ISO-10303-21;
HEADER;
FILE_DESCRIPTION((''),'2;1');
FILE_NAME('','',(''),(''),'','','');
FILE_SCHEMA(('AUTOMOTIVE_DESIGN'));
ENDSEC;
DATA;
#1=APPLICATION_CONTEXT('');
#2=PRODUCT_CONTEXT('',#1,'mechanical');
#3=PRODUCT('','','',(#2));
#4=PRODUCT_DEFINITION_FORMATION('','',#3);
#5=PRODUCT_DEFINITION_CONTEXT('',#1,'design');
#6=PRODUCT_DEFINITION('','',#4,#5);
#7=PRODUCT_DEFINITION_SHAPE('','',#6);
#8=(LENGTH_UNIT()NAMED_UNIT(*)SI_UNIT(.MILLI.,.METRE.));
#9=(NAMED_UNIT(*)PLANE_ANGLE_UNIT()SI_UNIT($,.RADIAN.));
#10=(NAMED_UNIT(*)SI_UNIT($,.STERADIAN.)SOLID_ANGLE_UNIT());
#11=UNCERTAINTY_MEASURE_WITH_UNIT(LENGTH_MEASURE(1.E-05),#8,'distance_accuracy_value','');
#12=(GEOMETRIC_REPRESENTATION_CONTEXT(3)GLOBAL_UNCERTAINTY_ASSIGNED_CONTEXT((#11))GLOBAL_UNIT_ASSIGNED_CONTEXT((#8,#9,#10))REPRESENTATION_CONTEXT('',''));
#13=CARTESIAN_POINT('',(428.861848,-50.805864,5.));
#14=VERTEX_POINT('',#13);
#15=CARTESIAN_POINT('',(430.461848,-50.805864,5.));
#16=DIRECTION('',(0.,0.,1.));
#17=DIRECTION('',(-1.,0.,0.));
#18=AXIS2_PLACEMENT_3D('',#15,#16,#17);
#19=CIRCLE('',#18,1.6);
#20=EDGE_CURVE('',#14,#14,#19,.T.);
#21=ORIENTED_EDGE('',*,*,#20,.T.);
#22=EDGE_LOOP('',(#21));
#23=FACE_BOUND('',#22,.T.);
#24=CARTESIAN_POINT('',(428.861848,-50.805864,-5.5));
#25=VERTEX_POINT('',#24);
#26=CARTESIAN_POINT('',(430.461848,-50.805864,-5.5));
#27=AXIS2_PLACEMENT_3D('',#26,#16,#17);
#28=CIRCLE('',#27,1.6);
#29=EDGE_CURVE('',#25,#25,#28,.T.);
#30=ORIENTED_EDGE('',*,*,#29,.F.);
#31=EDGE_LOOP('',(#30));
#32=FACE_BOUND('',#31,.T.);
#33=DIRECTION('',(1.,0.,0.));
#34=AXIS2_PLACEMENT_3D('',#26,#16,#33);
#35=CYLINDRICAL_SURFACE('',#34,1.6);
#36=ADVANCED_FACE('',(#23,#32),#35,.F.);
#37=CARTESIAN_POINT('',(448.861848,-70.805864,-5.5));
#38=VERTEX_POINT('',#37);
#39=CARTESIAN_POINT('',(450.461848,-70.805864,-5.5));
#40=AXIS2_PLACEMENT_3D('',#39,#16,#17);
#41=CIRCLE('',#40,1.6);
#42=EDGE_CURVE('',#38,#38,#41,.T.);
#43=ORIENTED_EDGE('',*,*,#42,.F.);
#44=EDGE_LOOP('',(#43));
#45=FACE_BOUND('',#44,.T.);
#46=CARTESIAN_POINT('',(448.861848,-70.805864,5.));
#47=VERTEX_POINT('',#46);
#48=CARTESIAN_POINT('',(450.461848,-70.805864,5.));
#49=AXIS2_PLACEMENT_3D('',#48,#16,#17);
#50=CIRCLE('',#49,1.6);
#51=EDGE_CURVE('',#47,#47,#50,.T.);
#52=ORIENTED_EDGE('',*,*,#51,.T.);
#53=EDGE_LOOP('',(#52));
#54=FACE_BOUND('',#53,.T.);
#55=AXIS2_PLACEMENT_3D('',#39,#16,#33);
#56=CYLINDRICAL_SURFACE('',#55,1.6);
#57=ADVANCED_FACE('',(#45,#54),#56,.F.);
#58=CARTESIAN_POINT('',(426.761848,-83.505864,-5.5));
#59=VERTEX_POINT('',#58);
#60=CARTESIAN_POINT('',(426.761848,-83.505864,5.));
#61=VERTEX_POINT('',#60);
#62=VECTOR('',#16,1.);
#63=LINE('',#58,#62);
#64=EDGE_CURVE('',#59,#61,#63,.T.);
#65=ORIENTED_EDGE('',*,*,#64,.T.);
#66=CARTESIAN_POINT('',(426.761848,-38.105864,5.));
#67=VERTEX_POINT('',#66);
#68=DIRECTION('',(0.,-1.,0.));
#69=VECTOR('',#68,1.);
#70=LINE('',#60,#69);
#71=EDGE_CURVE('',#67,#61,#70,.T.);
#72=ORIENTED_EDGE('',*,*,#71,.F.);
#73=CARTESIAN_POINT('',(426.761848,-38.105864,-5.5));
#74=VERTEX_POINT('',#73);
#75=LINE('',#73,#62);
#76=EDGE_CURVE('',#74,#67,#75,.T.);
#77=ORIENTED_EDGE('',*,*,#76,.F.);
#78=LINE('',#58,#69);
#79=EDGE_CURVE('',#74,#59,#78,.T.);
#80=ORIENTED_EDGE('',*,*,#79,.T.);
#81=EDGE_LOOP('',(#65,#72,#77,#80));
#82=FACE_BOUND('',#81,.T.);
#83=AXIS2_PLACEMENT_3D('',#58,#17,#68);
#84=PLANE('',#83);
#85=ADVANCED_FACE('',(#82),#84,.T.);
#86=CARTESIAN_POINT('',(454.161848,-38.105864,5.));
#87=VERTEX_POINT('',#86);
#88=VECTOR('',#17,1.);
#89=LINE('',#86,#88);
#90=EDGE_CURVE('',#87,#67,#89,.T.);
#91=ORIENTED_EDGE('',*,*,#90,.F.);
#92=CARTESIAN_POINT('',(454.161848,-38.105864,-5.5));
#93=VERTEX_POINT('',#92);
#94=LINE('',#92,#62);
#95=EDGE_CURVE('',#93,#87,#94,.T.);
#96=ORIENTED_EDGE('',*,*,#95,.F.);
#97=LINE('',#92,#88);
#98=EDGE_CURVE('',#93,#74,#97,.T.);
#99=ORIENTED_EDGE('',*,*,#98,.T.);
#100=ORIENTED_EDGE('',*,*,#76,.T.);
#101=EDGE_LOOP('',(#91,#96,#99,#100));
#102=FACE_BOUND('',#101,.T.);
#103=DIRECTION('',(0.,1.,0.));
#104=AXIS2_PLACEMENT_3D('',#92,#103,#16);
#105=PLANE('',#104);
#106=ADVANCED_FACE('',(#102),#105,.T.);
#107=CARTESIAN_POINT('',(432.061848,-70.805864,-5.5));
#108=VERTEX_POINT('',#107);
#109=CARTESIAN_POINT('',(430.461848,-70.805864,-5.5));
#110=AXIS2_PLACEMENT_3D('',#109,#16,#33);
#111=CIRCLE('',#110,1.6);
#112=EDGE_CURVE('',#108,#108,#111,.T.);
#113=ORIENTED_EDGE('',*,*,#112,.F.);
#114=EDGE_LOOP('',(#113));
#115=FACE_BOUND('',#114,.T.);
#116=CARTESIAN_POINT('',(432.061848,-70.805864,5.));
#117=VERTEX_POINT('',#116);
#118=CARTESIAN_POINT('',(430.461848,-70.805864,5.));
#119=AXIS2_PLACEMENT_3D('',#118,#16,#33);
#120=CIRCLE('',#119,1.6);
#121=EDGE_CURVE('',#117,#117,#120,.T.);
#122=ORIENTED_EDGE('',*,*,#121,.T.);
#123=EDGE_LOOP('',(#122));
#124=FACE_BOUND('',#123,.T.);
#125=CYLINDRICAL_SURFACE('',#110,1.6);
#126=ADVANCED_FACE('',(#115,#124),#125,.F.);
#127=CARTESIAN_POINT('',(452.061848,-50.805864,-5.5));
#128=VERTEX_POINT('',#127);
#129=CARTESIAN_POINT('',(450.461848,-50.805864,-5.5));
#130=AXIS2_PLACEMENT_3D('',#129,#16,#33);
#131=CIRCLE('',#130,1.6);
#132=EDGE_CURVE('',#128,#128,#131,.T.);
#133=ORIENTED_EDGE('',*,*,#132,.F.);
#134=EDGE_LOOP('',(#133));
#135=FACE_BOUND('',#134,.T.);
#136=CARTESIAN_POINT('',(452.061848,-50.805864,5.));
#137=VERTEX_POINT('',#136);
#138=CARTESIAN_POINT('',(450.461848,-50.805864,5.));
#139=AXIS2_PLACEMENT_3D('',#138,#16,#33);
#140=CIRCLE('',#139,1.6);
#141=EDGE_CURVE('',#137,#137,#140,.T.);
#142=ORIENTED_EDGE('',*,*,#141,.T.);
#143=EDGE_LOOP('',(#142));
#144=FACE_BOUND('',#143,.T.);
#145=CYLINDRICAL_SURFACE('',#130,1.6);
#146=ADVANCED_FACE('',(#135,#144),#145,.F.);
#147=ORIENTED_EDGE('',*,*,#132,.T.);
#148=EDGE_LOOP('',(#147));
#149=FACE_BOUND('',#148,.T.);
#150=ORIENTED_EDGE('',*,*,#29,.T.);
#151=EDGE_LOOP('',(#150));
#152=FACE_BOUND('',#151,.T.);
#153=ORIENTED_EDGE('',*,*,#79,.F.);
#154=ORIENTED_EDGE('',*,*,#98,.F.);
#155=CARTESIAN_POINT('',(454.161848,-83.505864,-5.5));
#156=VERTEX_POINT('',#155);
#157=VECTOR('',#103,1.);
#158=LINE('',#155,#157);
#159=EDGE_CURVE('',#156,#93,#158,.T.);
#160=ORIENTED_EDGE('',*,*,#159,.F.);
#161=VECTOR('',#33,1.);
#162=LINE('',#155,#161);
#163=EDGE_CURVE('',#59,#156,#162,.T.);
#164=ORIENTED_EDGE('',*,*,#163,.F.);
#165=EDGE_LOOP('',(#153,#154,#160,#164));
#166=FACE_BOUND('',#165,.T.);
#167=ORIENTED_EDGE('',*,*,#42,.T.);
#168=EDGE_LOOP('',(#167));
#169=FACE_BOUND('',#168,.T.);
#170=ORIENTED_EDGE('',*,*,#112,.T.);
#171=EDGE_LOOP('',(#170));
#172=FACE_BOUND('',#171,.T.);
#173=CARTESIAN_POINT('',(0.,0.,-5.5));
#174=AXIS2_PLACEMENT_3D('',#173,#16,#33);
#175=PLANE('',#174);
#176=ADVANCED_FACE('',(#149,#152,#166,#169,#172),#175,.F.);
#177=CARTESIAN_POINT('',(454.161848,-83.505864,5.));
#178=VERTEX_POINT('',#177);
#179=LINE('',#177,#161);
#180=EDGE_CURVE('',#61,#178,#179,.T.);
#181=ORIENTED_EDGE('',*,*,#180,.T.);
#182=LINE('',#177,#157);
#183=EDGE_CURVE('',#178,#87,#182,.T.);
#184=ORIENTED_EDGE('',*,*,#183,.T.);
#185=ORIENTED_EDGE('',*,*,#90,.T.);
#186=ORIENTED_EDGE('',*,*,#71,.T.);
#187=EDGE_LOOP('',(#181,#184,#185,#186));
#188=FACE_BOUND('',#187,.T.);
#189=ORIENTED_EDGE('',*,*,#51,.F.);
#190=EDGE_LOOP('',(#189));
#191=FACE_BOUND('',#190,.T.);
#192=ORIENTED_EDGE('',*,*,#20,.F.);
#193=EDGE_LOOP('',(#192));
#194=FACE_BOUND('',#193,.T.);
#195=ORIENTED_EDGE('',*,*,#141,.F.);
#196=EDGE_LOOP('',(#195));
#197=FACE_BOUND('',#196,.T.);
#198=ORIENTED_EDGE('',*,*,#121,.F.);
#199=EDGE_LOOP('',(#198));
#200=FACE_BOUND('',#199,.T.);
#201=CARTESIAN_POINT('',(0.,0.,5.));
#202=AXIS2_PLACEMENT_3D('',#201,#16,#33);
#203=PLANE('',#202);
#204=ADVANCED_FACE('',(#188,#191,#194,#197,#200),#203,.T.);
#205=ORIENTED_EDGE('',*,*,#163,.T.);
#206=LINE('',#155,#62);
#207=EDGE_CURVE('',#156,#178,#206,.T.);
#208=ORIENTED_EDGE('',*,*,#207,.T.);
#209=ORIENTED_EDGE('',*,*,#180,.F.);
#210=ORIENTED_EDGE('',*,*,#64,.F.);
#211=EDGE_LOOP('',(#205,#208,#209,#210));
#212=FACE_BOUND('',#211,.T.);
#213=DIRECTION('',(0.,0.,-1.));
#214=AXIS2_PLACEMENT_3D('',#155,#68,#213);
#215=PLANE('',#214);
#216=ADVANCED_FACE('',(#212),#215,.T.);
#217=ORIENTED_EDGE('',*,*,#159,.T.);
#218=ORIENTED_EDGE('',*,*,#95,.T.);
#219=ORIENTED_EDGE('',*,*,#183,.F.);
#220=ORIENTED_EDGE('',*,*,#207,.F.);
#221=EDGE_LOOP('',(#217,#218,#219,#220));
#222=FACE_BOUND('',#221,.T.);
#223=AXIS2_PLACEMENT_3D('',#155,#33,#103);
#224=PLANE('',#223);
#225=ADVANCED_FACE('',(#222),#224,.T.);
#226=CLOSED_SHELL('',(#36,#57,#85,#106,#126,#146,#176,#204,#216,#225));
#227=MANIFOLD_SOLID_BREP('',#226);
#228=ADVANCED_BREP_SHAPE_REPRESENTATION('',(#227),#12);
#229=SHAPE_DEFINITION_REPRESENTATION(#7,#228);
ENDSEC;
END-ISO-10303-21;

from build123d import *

# Parameters (mm, degrees)
SKETCH1_W                = 27.4
SKETCH1_H                = 45.4
SKETCH1_R                = 1.6
SKETCH1_R_2              = 1.599999998
BOSS_EXTRUDE1_DEPTH      = 5
BOSS_EXTRUDE1_DEPTH_BACK = 5.5


with BuildPart() as part:
    # Sketch1 → Boss-Extrude1 (new body, two sides)
    with BuildSketch(Plane.XY) as boss_extrude1_sk:
        with Locations((440.461848113, -60.80586409)):
            Rectangle(SKETCH1_W, SKETCH1_H)
        with Locations((430.461848113, -70.80586409)):
            Circle(SKETCH1_R, mode=Mode.SUBTRACT)
        with Locations((430.461848113, -50.80586409)):
            Circle(SKETCH1_R_2, mode=Mode.SUBTRACT)
        with Locations((450.461848113, -50.80586409)):
            Circle(SKETCH1_R_2, mode=Mode.SUBTRACT)
        with Locations((450.461848113, -70.80586409)):
            Circle(SKETCH1_R, mode=Mode.SUBTRACT)
    extrude(amount=BOSS_EXTRUDE1_DEPTH)
    extrude(boss_extrude1_sk.sketch, amount=-BOSS_EXTRUDE1_DEPTH_BACK)


solid = part.part
